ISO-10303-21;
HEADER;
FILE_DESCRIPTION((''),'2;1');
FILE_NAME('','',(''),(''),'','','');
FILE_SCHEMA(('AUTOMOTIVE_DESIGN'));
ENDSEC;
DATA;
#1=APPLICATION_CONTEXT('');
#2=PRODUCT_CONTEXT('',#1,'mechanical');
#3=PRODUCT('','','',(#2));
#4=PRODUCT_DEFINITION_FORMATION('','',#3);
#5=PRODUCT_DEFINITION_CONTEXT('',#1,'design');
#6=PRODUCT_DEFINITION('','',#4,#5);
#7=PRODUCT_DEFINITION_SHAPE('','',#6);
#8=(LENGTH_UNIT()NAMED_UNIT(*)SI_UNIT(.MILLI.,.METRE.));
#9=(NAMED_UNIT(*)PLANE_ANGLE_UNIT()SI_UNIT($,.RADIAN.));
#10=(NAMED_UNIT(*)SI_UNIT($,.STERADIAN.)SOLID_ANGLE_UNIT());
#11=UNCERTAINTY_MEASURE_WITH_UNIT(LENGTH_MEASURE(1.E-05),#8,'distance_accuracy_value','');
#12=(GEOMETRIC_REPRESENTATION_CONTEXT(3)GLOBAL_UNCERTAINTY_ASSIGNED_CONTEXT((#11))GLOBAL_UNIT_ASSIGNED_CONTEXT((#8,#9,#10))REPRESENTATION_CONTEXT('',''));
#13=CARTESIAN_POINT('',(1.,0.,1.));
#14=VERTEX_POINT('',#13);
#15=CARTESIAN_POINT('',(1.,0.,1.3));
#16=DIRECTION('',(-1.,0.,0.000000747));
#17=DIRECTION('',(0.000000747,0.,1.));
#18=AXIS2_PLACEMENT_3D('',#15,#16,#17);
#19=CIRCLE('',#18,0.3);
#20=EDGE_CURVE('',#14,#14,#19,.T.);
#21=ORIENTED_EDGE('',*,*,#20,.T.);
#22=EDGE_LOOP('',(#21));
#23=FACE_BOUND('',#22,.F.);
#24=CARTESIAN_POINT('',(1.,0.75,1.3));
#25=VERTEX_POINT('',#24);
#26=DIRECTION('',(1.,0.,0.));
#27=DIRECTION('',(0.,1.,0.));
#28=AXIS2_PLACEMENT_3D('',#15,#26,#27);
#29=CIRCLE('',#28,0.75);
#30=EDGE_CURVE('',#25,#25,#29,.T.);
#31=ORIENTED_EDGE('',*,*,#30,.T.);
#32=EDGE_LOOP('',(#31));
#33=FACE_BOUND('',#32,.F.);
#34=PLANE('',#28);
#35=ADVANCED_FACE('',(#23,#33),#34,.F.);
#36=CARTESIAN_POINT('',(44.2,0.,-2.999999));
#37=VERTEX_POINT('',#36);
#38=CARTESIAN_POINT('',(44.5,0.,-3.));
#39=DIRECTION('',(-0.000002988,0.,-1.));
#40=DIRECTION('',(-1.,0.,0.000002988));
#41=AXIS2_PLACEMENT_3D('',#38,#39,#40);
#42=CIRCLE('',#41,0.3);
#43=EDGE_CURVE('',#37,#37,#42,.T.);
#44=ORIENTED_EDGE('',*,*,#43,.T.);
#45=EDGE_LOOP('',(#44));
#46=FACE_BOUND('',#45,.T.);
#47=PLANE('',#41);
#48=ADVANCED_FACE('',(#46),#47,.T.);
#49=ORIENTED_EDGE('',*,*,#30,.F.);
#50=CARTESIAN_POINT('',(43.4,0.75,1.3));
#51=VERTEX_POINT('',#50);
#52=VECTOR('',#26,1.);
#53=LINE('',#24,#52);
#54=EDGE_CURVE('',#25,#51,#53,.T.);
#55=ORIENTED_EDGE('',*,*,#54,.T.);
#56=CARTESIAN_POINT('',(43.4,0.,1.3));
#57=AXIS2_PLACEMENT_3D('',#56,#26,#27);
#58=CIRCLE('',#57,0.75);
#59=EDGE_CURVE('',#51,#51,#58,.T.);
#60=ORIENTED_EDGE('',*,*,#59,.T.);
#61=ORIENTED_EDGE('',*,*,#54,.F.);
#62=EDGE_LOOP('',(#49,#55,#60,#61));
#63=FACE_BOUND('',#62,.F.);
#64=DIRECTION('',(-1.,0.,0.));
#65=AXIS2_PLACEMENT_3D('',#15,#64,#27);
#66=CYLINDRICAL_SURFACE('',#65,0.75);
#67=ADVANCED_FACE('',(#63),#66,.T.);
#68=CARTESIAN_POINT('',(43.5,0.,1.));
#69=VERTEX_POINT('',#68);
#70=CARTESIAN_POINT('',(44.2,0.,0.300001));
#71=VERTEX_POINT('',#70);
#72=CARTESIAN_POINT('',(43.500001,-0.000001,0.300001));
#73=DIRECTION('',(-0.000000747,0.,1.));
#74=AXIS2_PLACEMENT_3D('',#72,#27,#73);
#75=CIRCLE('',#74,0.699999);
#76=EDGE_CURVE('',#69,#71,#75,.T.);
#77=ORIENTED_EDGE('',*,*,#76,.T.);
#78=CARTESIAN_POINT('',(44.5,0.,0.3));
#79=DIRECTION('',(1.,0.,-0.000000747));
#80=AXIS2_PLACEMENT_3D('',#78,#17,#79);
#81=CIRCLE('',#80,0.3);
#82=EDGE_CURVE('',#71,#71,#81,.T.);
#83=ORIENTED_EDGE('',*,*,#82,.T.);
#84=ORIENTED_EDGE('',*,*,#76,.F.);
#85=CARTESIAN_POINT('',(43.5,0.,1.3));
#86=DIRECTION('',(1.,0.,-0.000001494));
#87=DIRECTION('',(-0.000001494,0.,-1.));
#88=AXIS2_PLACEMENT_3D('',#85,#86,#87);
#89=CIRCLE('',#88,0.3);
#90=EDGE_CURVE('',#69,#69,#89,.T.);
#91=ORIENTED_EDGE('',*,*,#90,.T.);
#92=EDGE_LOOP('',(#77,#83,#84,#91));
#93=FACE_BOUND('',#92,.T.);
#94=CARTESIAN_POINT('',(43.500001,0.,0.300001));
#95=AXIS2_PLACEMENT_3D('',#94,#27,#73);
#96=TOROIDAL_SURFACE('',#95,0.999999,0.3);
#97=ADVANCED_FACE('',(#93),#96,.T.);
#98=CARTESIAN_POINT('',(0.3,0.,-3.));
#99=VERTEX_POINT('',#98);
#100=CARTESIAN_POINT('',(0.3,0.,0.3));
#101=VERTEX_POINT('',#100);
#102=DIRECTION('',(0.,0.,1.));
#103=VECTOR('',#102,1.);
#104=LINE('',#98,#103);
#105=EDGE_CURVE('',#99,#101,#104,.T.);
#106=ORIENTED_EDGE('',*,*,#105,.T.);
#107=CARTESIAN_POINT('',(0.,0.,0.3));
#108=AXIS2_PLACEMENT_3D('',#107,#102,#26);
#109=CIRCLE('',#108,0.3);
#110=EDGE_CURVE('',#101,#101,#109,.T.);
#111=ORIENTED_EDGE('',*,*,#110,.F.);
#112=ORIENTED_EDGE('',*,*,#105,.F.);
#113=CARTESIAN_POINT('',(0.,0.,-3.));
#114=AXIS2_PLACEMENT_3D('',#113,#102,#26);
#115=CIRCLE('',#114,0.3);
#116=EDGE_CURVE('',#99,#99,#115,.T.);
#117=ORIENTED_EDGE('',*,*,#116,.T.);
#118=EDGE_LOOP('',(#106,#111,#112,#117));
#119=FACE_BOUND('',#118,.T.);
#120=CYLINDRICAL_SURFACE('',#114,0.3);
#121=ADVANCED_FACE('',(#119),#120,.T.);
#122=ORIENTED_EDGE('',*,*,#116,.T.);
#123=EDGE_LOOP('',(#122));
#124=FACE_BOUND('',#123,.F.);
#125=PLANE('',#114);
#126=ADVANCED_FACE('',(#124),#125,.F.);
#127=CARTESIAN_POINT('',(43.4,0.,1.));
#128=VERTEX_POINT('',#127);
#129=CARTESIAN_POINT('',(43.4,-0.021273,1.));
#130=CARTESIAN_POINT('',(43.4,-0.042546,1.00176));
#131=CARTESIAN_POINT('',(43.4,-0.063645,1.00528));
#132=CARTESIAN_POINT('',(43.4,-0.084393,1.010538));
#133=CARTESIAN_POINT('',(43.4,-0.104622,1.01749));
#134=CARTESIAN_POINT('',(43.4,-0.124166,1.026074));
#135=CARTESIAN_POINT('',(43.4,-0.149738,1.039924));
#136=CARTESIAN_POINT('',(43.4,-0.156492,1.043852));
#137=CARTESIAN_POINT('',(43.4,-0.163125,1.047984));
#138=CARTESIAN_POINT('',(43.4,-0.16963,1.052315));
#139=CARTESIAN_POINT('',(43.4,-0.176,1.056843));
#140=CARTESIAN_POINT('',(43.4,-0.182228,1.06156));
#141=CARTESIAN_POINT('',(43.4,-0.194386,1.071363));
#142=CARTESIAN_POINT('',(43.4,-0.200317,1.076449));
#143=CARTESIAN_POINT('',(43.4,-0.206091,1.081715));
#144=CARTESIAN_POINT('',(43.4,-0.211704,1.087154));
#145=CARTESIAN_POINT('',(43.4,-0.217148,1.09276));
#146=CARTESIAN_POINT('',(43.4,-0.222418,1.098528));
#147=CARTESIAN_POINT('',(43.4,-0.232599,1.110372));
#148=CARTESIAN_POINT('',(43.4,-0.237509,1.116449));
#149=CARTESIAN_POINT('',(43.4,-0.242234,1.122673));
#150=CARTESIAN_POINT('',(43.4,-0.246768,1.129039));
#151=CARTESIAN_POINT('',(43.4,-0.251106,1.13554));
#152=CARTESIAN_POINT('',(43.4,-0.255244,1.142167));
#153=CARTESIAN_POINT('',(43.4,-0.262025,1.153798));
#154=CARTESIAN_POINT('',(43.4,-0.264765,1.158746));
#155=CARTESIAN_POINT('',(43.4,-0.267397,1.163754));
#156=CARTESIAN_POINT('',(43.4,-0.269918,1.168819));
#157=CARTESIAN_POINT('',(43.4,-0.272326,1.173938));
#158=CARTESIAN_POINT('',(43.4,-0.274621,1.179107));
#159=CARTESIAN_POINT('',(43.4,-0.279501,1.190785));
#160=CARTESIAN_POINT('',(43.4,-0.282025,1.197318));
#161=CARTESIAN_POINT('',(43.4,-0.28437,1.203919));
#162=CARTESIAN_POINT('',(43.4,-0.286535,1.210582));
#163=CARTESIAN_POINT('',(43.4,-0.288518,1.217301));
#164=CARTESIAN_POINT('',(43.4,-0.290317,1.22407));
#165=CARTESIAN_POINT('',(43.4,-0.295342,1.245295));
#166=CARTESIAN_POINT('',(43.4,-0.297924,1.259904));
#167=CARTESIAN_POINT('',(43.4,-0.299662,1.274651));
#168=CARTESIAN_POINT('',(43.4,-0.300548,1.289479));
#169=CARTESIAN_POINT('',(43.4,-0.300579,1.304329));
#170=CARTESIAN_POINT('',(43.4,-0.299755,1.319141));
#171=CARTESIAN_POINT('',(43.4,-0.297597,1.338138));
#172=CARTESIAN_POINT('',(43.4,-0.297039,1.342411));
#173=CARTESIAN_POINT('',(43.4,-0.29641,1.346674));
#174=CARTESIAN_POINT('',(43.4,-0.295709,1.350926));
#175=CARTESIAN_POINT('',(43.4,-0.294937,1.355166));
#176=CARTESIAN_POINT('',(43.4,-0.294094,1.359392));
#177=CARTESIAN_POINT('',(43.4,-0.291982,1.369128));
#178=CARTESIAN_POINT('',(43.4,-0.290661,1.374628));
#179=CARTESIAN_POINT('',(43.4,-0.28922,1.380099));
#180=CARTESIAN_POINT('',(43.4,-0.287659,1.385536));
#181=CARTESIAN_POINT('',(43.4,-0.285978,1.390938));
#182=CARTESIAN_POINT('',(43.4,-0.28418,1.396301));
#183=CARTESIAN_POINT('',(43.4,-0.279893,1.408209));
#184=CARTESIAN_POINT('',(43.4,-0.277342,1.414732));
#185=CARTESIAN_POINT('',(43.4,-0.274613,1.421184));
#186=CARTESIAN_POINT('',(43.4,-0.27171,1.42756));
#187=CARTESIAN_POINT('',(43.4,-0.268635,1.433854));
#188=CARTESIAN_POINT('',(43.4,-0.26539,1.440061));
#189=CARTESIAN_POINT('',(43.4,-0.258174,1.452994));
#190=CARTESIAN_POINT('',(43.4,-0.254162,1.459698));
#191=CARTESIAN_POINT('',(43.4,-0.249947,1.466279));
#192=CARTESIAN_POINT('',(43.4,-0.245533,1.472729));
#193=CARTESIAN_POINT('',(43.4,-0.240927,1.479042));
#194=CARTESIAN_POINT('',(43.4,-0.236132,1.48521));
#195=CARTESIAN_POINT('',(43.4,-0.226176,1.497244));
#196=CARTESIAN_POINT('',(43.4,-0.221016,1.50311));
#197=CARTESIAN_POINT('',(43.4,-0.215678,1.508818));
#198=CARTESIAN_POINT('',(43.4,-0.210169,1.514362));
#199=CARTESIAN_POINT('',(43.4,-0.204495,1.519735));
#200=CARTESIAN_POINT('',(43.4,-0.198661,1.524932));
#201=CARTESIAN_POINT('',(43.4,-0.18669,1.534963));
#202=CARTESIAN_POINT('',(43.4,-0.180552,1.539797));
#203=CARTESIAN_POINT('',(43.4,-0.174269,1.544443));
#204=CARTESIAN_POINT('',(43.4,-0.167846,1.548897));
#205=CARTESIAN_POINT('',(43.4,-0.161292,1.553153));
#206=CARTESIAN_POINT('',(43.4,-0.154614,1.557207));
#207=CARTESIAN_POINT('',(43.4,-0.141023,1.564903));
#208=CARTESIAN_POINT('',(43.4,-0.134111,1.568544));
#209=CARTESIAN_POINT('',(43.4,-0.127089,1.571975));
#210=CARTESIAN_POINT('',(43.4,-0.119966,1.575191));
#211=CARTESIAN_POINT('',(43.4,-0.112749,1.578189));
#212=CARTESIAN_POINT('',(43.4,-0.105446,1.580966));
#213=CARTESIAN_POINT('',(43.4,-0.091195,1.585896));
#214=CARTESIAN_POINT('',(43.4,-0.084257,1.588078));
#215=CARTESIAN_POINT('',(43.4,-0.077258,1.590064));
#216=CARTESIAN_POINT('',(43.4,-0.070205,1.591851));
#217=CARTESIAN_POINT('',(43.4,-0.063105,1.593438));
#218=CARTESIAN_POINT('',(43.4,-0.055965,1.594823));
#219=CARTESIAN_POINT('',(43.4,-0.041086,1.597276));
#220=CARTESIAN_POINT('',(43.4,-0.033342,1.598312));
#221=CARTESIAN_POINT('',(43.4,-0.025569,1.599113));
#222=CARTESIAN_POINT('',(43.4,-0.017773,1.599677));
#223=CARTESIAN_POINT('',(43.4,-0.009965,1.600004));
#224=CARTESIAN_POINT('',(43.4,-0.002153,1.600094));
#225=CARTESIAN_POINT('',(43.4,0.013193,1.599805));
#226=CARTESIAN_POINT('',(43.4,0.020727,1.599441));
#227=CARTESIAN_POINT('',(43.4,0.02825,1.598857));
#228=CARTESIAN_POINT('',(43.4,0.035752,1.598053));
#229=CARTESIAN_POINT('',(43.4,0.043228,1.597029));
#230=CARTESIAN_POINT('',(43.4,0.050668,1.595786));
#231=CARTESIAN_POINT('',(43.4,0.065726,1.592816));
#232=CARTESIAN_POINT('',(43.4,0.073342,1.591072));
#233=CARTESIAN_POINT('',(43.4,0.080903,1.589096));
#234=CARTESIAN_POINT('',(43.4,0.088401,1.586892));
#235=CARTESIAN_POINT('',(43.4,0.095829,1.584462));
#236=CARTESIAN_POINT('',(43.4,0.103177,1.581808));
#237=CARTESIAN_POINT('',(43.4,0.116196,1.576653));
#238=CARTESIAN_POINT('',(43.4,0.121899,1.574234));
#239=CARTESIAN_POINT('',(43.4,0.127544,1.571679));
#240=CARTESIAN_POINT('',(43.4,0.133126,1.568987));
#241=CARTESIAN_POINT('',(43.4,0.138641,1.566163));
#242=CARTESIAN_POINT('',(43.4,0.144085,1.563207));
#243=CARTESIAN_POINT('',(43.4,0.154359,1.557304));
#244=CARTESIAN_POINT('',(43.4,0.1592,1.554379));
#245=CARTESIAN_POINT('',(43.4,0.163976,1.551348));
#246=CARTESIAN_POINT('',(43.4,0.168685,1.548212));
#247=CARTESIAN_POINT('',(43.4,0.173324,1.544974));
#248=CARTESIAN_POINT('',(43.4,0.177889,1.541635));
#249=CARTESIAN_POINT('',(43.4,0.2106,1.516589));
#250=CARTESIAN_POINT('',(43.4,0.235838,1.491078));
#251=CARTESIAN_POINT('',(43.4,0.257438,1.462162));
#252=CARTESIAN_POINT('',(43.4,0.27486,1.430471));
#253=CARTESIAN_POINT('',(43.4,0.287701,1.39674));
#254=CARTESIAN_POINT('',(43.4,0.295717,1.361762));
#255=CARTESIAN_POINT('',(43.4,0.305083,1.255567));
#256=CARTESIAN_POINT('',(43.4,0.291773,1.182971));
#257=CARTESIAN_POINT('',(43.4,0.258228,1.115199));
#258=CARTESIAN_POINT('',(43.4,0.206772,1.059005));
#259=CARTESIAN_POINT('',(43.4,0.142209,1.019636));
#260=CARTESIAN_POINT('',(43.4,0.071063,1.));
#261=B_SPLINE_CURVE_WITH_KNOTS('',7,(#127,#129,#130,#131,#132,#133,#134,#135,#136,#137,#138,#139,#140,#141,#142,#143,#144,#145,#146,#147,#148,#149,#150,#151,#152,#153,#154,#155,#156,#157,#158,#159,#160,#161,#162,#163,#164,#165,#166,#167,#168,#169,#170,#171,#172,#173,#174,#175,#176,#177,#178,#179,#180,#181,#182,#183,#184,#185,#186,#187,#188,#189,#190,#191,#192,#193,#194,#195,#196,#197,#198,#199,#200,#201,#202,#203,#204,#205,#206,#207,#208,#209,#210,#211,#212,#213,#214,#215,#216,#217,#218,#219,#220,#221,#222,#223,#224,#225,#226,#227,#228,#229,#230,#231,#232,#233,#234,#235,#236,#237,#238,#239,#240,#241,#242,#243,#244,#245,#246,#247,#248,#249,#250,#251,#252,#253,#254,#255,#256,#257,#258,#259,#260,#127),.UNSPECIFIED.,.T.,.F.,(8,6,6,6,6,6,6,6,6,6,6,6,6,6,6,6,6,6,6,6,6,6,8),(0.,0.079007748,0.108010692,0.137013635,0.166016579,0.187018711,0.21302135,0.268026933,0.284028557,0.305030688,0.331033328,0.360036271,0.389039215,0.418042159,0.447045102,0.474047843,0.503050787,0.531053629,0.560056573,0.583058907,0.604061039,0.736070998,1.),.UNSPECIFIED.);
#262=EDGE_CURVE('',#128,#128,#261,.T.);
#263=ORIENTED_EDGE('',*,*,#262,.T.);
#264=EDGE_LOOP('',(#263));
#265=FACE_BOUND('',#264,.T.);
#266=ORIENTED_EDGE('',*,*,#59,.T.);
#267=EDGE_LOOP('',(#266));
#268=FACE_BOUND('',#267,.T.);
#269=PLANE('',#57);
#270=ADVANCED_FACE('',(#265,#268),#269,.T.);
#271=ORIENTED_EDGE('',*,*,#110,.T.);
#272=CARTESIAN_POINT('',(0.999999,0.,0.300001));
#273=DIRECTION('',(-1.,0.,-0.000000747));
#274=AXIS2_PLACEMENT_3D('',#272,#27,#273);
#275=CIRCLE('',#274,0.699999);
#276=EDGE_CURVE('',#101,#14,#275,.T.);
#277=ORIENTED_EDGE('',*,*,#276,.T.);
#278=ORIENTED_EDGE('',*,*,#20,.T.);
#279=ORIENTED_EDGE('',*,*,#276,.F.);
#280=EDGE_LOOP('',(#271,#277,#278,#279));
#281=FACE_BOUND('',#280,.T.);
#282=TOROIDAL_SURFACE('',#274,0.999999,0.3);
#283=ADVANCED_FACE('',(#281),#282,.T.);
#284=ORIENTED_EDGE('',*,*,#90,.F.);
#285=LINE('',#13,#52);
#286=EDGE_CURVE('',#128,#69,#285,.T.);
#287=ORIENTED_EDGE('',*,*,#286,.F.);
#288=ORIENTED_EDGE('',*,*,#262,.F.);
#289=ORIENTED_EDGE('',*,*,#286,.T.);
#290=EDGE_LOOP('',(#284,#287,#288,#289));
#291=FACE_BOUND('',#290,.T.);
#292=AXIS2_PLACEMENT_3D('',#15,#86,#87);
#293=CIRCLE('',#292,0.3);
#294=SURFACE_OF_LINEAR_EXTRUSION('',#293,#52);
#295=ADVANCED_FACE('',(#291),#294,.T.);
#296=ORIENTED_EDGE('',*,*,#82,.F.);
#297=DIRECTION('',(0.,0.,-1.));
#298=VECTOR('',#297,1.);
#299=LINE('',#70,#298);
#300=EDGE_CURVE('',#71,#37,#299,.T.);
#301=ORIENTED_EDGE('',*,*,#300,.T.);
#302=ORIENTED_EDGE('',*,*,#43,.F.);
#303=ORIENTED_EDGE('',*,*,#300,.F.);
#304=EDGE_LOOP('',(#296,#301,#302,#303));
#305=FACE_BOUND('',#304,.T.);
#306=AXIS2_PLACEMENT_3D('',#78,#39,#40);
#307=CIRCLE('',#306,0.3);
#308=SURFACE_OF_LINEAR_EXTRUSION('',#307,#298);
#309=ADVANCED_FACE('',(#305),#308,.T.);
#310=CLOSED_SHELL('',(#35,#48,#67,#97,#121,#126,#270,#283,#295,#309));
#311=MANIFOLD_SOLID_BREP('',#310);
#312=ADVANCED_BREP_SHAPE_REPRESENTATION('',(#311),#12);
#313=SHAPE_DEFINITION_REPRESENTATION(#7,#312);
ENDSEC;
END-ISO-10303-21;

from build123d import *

# Parameters (mm, degrees)
SKETCH001_R = 0.3
SKETCH002_R = 0.75
PAD_DEPTH   = 42.4


with BuildPart() as part:
    # AdditivePipe: sweep along a path in Sketch
    with BuildLine(Plane.XZ) as additivepipe_path:
        Line((0, -3), (0, 0.3))
        ThreePointArc((0, 0.3), (0.292893, 1.007107), (1, 1.3))
        Line((1, 1.3), (43.5, 1.3))
        ThreePointArc((43.5, 1.3), (44.207107, 1.007107), (44.5, 0.3))
        Line((44.5, 0.3), (44.5, -3))
    # Sketch001 (on DatumPlane) → AdditivePipe (sweep)
    with BuildSketch(Plane.XY.offset(-3)):
        Circle(SKETCH001_R)
    sweep(path=additivepipe_path.line)

    # Sketch002 (on DatumPlane) → Pad (new body)
    with BuildSketch(Plane.YZ.offset(1)):
        with Locations((0, 1.3)):
            Circle(SKETCH002_R)
    extrude(amount=PAD_DEPTH)


solid = part.part
